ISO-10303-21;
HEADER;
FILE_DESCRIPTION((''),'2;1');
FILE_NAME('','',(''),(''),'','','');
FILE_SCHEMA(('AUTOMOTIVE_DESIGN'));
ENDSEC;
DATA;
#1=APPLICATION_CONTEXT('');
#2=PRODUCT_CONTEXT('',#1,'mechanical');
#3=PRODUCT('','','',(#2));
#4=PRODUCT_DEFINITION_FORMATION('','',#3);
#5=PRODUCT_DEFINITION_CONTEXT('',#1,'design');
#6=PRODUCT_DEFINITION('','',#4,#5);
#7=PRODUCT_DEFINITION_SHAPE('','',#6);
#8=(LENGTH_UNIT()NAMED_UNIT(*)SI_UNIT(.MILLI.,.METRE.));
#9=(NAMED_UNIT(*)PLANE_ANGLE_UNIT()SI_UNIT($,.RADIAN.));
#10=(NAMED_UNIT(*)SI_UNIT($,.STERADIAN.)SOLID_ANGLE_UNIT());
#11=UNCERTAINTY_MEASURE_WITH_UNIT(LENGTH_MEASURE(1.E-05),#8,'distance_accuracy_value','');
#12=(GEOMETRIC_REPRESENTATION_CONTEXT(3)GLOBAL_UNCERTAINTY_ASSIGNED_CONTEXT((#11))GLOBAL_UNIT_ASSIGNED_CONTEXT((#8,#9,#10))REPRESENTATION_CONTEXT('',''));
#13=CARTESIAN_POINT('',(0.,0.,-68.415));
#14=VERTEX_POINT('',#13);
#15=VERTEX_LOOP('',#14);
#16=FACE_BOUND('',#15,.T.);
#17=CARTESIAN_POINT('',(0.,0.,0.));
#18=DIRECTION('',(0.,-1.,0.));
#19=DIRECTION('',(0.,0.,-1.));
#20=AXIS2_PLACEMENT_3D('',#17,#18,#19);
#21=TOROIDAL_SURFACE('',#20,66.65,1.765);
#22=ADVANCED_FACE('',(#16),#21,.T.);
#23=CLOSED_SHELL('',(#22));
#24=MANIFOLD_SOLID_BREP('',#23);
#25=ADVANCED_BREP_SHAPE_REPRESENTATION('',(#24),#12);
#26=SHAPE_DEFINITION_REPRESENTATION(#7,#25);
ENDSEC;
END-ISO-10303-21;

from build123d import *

# Parameters (mm, degrees)
ESBO_O1_R = 1.765


with BuildPart() as part:
    # Esboço1 → Revolução1 (revolve)
    with BuildSketch(Plane.XY, mode=Mode.PRIVATE) as revolu_o1_sk:
        with Locations((-66.65, 0)):
            Circle(ESBO_O1_R)
    revolve(revolu_o1_sk.sketch.rotate(Axis((0, -33.290702948, 0), (0, 1, 0)), 270), axis=Axis((0, -33.290702948, 0), (0, 1, 0)))


solid = part.part
